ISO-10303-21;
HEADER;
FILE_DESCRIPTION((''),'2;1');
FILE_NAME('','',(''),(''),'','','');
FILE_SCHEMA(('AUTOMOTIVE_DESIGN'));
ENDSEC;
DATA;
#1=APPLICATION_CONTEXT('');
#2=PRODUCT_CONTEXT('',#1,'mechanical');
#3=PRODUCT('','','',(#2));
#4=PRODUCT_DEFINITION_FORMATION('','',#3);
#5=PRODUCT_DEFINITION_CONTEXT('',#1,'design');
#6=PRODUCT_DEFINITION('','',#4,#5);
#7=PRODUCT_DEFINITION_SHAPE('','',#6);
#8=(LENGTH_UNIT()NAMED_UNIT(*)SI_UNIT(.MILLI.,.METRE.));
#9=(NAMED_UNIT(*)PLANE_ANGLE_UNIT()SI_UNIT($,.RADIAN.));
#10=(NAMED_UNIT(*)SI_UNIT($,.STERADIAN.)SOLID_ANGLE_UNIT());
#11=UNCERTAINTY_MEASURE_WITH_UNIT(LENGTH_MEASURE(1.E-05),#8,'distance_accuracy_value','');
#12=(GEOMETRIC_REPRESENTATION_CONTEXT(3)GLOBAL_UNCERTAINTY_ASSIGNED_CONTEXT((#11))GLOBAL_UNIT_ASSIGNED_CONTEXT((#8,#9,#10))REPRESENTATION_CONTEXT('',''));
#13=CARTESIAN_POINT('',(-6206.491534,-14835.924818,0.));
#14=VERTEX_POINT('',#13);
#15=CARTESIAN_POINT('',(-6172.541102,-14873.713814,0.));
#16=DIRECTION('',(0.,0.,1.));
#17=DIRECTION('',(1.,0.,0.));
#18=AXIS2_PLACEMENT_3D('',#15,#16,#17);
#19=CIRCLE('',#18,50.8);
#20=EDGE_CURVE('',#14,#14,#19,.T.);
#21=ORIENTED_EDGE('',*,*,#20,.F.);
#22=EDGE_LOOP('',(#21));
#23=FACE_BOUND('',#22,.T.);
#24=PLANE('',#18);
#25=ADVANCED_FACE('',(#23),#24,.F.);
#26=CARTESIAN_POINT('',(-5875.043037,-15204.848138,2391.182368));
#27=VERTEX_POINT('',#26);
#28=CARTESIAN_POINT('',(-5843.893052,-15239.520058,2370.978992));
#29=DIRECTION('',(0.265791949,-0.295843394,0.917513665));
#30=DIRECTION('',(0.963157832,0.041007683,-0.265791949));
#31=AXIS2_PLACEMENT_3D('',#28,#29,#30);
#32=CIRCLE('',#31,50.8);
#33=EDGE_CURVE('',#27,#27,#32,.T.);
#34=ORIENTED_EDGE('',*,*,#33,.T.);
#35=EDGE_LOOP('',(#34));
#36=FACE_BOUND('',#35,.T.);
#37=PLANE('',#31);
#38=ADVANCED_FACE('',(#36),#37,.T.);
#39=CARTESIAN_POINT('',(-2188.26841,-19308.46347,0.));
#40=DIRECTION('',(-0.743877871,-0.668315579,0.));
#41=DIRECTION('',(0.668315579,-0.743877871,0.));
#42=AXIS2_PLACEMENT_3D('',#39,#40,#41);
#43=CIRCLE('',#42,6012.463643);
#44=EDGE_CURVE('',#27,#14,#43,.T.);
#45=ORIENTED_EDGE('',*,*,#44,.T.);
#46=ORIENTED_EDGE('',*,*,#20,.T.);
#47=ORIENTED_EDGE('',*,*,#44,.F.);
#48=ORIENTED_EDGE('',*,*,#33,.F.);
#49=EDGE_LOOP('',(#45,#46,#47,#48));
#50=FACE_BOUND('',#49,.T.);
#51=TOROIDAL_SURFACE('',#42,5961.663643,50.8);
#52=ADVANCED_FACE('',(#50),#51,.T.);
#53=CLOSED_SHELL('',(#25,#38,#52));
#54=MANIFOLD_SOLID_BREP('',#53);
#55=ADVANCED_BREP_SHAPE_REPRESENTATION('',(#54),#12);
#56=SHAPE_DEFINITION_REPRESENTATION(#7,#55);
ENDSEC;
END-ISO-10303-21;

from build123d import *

# Parameters (mm, degrees)
SKETCH1_R = 50.8


with BuildPart() as part:
    # Sweep1: sweep along a path in Sketch2
    with BuildLine(Plane(origin=(-10809.997060034, -9711.929518377, 0), x_dir=(-0.6172701058211517, 0.6870610023010654, -0.38330770351846527), z_dir=(0.7438778705374912, 0.6683155794417841, -1.7208456881689926e-15))) as sweep1_path:
        ThreePointArc((-6409.023621687, -2659.780271502), (-6987.846184652, -1589.154447528), (-7772.033955362, -658.388765615))
    # Sketch1 → Sweep1 (sweep)
    with BuildSketch(Plane.XY):
        with Locations((-6172.541102276, -14873.713814129)):
            Circle(SKETCH1_R)
    sweep(path=sweep1_path.line)


solid = part.part
